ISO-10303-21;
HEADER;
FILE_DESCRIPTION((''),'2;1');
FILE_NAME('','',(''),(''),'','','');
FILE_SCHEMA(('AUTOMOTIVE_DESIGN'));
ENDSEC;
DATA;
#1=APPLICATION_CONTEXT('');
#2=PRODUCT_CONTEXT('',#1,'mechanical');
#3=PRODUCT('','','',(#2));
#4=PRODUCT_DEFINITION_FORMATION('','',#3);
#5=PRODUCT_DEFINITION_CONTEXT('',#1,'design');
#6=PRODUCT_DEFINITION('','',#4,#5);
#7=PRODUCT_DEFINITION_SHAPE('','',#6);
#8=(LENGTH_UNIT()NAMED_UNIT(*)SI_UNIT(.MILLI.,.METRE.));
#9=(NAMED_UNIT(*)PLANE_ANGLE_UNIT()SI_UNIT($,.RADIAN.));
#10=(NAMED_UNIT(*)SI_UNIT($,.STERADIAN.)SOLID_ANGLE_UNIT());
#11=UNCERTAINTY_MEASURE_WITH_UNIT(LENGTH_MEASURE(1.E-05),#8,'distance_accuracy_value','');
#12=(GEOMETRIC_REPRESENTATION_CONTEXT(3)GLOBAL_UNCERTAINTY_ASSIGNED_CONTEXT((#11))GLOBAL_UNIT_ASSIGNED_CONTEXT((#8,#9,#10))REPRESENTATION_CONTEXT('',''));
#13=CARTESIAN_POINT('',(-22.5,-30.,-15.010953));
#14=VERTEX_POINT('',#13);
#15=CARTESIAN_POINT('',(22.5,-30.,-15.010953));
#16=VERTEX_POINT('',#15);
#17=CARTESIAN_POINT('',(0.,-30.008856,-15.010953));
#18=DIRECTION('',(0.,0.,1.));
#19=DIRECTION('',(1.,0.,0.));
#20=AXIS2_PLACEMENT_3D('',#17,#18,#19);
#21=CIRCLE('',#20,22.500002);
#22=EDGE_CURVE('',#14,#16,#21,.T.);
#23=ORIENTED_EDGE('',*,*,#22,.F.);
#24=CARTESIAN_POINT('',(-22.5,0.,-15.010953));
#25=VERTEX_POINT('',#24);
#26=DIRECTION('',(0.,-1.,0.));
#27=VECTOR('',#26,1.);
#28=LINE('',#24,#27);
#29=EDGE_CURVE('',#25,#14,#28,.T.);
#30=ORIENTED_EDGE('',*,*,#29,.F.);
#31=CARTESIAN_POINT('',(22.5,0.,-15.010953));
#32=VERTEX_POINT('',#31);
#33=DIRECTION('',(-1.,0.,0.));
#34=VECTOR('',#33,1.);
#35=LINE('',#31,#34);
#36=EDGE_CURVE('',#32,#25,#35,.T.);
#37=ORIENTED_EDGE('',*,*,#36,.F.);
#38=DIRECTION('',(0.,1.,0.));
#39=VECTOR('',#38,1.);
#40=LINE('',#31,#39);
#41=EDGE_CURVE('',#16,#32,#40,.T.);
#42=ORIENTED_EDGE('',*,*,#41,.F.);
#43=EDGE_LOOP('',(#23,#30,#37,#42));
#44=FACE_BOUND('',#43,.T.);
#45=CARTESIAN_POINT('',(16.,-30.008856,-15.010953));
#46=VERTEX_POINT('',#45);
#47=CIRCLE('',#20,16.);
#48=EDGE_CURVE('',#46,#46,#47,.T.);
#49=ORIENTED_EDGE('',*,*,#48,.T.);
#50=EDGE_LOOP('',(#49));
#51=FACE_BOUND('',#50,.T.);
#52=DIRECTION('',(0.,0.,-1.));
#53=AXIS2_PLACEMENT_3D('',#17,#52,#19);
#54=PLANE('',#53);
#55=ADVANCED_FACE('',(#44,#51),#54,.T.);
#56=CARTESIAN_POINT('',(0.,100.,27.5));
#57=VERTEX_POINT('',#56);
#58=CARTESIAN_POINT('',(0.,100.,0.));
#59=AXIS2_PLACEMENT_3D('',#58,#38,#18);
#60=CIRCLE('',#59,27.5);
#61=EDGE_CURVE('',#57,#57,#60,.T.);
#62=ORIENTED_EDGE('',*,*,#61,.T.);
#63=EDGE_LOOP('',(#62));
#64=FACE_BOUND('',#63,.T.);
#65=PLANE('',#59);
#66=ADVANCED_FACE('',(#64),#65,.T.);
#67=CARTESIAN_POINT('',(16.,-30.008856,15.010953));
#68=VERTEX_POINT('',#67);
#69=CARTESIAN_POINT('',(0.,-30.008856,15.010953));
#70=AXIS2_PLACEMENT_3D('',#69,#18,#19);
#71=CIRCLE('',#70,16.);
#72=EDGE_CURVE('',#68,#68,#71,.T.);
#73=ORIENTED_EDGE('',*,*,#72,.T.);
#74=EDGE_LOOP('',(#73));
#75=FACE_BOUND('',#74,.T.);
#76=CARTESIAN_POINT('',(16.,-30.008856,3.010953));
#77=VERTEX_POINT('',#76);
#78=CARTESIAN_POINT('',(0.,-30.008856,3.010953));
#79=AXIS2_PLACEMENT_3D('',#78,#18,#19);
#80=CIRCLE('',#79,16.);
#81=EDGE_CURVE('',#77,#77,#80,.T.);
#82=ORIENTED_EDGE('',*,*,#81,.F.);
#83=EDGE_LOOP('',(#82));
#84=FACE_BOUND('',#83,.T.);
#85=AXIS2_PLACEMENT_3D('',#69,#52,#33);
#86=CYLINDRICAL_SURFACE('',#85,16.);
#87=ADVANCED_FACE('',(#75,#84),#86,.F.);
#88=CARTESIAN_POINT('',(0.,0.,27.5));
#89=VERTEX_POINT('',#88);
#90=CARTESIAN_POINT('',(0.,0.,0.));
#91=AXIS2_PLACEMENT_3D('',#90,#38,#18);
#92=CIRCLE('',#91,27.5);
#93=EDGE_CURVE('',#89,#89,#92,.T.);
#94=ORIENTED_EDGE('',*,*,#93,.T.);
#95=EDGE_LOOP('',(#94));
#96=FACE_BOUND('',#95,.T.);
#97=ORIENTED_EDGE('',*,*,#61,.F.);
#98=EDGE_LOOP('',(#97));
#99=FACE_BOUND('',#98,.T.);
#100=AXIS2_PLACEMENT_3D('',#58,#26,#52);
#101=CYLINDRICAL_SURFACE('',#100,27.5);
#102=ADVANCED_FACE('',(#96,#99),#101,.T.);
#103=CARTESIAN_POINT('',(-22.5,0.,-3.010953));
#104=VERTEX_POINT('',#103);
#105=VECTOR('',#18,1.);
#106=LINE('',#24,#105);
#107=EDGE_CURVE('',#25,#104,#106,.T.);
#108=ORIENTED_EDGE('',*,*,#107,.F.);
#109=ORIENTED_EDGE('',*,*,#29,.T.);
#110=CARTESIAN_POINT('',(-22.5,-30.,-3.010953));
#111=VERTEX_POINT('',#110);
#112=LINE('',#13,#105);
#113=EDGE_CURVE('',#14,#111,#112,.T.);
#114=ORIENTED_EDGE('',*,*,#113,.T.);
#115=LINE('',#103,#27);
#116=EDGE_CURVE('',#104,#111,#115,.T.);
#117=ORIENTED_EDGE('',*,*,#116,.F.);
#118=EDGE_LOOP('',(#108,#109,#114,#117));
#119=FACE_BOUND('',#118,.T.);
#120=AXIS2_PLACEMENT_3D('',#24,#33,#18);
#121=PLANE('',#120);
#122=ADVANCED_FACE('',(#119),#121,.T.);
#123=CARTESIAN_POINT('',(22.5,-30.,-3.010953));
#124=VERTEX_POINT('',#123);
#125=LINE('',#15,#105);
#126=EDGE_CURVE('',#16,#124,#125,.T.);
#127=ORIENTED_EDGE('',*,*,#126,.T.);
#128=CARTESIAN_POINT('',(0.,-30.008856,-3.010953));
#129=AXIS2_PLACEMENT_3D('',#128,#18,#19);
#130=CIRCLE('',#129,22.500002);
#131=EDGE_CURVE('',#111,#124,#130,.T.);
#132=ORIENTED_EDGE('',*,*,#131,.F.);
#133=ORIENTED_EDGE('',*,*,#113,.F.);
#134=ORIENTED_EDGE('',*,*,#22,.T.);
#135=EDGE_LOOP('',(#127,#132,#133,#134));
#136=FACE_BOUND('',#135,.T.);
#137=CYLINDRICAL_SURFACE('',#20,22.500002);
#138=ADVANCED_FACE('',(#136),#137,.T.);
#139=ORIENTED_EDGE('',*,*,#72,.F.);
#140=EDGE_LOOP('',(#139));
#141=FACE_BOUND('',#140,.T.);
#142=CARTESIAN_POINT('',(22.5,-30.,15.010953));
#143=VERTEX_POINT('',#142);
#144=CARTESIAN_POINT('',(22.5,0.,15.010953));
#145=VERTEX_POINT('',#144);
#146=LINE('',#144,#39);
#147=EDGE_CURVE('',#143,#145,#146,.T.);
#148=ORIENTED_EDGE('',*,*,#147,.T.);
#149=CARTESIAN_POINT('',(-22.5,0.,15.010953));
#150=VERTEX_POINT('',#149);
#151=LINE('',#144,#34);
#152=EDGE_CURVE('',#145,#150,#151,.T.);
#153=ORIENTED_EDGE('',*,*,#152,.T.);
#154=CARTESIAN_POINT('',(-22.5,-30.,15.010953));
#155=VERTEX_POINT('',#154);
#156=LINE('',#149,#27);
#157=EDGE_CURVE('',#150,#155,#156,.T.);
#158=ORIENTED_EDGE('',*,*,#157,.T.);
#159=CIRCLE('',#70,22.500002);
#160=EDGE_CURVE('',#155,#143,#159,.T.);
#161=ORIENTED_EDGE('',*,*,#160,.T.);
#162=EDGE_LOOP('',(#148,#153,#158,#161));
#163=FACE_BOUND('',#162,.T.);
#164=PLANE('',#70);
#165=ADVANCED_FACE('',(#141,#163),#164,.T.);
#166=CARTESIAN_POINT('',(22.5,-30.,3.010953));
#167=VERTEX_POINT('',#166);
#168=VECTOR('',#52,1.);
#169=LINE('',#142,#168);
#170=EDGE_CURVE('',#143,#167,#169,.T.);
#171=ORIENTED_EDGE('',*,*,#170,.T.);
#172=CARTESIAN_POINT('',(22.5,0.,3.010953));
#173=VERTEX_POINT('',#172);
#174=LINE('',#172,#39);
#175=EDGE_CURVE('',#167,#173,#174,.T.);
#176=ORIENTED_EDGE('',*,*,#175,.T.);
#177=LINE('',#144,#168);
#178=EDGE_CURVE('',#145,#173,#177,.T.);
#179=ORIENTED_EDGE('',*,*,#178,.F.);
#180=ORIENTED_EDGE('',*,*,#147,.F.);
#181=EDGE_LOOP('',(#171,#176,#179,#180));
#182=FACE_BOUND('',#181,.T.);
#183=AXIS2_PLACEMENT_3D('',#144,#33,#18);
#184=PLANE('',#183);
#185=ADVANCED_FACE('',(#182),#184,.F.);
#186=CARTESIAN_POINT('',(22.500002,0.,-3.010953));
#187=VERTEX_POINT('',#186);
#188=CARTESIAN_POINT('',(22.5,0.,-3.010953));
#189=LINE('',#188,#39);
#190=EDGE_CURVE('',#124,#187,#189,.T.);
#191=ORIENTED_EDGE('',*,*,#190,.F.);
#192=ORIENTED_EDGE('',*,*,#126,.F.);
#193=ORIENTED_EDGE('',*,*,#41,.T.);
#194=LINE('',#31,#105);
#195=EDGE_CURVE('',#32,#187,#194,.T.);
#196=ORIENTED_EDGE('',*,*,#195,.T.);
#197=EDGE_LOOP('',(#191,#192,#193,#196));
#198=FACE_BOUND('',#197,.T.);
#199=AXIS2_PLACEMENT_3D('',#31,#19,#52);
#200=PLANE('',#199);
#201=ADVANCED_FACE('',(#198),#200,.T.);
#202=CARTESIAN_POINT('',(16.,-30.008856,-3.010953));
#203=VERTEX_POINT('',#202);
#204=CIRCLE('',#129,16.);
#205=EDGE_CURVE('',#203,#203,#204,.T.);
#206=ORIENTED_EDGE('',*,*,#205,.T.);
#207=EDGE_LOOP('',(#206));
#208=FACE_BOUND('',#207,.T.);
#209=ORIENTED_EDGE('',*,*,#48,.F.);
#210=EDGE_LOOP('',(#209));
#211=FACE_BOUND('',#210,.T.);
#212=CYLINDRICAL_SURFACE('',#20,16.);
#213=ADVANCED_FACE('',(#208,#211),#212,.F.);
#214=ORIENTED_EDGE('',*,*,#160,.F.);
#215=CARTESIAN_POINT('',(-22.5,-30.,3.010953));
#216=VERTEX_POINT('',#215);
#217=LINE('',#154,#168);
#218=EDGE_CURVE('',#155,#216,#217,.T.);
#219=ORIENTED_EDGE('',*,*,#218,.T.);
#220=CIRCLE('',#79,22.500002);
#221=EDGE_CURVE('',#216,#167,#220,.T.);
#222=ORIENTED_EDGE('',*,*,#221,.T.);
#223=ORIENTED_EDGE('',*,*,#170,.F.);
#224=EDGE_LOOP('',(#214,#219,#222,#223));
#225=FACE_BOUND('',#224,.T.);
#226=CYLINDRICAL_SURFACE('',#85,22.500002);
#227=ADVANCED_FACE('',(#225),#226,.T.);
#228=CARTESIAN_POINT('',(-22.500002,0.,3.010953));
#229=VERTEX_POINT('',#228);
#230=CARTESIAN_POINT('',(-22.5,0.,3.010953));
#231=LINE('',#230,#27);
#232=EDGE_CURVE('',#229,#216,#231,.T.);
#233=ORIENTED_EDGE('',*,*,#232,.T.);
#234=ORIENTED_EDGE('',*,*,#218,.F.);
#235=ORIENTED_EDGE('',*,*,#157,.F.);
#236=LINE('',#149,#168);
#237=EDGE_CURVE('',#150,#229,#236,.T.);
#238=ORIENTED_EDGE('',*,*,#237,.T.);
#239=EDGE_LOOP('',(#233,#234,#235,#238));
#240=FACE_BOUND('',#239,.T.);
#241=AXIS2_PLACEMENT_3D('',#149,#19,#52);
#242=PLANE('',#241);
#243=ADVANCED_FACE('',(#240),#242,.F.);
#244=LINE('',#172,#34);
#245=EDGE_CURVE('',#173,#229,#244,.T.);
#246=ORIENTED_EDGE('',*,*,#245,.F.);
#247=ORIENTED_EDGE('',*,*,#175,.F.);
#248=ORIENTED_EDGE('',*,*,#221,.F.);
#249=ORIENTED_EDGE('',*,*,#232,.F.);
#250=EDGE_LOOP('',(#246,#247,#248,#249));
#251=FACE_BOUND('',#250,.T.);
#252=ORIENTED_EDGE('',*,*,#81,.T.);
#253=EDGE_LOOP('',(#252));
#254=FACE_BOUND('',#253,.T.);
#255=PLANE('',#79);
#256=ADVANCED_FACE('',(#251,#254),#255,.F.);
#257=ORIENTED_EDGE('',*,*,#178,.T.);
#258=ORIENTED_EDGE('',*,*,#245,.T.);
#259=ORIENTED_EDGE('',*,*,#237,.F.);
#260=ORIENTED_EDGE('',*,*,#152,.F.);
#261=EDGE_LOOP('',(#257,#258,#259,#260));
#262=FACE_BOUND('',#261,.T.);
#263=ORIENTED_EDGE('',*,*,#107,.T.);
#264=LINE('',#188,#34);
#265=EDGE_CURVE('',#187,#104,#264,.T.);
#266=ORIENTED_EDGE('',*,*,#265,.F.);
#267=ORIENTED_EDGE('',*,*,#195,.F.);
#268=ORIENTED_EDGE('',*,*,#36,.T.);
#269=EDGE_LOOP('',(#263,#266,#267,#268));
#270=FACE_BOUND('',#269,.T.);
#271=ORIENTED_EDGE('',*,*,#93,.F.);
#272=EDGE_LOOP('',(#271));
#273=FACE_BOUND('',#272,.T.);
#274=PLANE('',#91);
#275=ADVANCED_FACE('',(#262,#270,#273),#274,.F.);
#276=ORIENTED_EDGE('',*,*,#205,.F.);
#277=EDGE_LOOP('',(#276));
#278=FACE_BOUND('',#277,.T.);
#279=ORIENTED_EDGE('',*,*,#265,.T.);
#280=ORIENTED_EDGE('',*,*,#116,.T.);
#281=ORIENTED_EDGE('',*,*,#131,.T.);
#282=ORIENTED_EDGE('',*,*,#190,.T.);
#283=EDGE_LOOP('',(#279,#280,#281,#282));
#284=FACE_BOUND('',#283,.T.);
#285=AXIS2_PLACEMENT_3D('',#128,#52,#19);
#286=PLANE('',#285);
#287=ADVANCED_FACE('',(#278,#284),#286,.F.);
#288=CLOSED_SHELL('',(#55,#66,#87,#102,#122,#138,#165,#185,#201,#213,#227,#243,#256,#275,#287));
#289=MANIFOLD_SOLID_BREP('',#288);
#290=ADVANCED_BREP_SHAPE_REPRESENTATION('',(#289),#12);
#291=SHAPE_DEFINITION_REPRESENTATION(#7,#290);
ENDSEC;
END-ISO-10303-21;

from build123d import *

# Parameters (mm, degrees)
SKETCH1_R           = 27.5
BOSS_EXTRUDE1_DEPTH = 100
BOSS_EXTRUDE3_START = -7
SKETCH6_R           = 16
BOSS_EXTRUDE3_DEPTH = 12


with BuildPart() as part:
    # Sketch1 → Boss-Extrude1 (new body)
    with BuildSketch(Plane(origin=(0, 0, 0), x_dir=(1, 0, 0), z_dir=(0, 1, 0))):
        Circle(SKETCH1_R)
    extrude(amount=BOSS_EXTRUDE1_DEPTH)

    # Sketch6 → Boss-Extrude3 (add)
    with BuildSketch(Plane.XY.offset(10.010953).offset(BOSS_EXTRUDE3_START)):
        with BuildLine():
            Line((22.5, 0), (-22.5, 0))
            Line((-22.5, 0), (-22.5, -30))
            ThreePointArc((-22.5, -30), (0, -52.508858033), (22.5, -30))
            Line((22.5, -30), (22.5, 0))
        make_face()
        with Locations((0, -30.00885629)):
            Circle(SKETCH6_R, mode=Mode.SUBTRACT)
    boss_extrude3 = extrude(amount=BOSS_EXTRUDE3_DEPTH)

    # Mirror1: Boss-Extrude3 across plane
    add(boss_extrude3.mirror(Plane.XY))


solid = part.part
